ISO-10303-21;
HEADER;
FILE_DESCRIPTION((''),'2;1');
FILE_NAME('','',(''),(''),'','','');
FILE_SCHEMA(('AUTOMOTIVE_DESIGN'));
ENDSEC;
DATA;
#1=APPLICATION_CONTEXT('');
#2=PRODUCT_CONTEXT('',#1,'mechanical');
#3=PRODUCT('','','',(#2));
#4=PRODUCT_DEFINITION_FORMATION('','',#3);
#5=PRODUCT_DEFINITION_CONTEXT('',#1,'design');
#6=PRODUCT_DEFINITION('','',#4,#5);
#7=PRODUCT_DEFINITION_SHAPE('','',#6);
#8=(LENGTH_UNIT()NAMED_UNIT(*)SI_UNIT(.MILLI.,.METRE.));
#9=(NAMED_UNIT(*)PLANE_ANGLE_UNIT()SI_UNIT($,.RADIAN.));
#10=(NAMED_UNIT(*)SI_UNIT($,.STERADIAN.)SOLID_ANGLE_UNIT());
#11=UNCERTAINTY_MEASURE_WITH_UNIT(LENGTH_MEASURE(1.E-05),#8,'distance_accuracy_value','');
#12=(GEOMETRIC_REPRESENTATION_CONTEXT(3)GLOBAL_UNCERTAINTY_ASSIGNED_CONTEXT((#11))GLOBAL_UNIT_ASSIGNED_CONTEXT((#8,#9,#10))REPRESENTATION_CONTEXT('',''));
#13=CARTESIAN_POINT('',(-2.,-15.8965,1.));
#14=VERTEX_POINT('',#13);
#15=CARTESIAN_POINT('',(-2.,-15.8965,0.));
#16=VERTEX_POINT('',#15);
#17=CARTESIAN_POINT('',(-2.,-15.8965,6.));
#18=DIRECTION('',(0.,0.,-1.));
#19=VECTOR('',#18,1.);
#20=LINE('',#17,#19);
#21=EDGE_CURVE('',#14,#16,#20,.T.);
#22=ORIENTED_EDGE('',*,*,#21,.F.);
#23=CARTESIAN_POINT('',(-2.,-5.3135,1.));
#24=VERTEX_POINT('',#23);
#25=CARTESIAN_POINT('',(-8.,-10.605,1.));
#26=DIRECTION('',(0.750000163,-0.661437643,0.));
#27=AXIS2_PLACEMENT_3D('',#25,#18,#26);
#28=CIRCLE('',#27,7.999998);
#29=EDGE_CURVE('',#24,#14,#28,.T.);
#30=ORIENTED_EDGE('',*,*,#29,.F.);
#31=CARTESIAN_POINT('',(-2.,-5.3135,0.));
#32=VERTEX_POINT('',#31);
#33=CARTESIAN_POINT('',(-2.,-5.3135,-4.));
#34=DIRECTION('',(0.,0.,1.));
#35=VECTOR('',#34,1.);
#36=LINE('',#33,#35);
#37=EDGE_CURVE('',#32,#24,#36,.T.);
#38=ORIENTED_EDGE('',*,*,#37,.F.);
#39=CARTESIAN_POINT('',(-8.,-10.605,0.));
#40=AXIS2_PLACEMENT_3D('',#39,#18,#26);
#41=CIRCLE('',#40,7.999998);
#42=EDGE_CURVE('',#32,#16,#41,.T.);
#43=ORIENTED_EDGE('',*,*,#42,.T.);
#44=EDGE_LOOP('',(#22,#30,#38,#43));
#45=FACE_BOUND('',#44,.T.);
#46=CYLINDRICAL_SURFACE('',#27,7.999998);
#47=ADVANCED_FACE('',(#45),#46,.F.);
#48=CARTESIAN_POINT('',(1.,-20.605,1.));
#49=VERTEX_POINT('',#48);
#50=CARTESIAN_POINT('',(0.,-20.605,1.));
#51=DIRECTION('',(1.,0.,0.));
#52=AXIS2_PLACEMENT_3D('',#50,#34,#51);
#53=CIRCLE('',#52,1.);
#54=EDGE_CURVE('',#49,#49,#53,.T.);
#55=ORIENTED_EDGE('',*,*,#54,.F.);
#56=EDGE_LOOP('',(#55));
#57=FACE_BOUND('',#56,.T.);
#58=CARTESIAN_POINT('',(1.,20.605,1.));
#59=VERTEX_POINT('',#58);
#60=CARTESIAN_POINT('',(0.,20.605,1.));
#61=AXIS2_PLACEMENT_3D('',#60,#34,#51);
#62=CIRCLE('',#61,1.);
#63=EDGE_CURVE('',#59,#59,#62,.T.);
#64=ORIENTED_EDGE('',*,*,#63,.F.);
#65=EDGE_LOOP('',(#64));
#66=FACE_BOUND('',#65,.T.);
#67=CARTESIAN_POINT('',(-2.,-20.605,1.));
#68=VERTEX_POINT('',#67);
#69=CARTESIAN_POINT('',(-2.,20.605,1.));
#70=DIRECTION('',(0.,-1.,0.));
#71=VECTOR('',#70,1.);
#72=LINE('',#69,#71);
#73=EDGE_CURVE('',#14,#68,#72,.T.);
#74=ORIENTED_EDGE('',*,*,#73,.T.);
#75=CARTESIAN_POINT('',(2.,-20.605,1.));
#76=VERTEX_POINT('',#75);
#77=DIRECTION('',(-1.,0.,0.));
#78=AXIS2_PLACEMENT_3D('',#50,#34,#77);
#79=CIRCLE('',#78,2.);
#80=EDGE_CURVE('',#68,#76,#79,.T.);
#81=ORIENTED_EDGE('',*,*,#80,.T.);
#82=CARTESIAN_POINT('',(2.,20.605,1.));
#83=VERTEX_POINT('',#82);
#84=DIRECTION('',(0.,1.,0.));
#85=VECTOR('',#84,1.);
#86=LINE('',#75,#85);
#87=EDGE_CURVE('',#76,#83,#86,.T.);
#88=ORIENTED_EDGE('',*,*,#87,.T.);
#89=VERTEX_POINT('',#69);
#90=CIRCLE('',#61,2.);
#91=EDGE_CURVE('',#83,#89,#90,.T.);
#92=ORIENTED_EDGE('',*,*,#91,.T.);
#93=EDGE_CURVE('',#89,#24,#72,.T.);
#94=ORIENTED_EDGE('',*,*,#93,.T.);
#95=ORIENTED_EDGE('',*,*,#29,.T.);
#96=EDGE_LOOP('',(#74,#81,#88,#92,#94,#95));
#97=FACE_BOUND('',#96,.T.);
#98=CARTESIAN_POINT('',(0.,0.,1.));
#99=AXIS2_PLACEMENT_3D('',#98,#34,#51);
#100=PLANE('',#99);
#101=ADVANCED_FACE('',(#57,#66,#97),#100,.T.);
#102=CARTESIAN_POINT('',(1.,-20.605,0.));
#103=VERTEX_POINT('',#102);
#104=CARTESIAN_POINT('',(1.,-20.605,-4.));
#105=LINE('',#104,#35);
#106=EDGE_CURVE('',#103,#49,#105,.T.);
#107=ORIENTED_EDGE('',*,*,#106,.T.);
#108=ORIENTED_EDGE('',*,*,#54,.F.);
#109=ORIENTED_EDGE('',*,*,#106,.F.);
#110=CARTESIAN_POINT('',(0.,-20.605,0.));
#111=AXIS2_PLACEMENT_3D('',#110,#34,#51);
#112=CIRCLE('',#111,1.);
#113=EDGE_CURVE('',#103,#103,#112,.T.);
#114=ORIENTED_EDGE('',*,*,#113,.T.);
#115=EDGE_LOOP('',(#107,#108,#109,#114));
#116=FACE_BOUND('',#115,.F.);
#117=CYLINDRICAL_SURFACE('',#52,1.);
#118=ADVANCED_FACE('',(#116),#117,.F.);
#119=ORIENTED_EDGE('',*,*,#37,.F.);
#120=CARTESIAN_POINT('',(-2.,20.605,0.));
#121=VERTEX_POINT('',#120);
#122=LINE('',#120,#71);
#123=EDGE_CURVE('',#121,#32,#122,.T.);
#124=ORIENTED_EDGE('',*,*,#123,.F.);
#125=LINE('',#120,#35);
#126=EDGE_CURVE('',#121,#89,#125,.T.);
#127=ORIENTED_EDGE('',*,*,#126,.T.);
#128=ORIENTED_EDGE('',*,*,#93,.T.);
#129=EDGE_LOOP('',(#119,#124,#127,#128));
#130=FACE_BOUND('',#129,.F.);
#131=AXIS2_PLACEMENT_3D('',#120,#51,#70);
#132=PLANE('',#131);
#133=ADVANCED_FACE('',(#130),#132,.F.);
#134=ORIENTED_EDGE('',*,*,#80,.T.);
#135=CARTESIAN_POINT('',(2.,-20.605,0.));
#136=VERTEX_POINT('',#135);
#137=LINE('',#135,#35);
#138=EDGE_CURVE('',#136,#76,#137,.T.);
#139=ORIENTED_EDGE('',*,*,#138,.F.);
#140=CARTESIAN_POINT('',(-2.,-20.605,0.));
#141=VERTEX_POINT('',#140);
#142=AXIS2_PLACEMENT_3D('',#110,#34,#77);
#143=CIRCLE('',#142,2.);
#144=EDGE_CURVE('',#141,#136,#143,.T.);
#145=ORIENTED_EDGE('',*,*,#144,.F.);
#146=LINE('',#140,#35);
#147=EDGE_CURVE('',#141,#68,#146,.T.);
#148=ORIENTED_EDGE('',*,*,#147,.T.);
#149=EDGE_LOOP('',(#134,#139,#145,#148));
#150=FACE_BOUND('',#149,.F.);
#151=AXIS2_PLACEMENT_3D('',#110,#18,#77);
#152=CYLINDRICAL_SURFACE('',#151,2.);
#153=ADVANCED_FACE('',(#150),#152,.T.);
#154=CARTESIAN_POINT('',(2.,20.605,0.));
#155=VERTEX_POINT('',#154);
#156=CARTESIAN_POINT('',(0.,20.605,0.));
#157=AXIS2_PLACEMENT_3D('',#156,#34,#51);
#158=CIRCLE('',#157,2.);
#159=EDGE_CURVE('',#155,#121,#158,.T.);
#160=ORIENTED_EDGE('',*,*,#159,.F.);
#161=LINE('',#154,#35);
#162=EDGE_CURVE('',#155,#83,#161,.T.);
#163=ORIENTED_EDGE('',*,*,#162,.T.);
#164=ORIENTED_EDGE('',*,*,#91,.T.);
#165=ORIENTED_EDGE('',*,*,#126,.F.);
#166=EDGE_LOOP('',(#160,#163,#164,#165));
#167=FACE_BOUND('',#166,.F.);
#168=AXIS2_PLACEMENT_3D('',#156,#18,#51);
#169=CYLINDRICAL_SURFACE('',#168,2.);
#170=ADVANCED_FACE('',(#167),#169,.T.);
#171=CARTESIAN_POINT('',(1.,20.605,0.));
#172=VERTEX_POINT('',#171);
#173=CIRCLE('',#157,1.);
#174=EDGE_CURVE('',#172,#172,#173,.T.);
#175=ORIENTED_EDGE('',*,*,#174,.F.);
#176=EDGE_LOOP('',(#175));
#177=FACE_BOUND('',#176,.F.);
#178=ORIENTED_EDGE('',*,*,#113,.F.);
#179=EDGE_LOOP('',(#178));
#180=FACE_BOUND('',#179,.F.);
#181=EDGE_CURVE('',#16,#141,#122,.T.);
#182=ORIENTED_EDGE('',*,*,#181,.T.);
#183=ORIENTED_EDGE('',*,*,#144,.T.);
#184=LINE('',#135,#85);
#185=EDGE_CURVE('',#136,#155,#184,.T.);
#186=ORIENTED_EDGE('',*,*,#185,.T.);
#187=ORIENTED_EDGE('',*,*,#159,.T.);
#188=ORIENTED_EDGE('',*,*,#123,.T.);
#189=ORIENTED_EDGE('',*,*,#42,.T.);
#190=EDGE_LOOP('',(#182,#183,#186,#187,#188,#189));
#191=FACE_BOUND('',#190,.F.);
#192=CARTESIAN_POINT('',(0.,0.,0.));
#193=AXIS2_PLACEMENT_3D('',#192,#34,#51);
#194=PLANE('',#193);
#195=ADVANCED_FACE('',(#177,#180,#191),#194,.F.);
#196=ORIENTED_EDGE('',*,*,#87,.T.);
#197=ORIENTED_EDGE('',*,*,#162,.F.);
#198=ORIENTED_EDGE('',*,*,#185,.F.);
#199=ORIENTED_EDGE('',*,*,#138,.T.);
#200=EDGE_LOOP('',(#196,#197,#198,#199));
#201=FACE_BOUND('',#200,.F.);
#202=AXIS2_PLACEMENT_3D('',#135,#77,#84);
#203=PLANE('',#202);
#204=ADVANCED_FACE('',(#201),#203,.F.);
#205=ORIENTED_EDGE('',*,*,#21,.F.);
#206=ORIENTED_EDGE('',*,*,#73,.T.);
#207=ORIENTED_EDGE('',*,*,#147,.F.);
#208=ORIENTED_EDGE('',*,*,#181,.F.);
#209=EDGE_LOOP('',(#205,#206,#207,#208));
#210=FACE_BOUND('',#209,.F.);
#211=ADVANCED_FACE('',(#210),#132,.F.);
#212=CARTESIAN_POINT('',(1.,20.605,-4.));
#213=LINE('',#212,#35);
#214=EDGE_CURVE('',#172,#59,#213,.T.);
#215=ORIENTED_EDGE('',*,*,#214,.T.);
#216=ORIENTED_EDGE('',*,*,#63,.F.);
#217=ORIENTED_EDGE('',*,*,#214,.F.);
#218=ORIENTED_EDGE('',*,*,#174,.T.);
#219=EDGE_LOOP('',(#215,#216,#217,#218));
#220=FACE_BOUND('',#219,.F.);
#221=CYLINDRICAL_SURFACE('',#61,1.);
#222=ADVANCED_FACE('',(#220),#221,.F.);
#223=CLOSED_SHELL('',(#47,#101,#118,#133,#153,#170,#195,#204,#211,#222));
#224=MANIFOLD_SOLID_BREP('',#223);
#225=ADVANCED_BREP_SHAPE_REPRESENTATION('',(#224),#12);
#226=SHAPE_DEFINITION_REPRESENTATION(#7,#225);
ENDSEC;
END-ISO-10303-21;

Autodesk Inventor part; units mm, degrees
ref_plane "YZ Plane" through (0, 0, 0) normal (1, 0, 0) x (0, 1, 0)
ref_plane "XZ Plane" through (0, 0, 0) normal (0, 1, 0) x (-1, 0, 0)
ref_plane "XY Plane" through (0, 0, 0) normal (0, 0, 1) x (1, 0, 0)
sketch "草圖1" plane through (0, 0, 0) normal (0, 0, 1) x (1, 0, 0)
  line L0 (0, -20.605) -> (0, 20.605) construction
  line L1 (2, -20.605) -> (2, 20.605)
  line L2 (-2, 20.605) -> (-2, -20.605)
  arc A0 (-2, -20.605) -> (2, -20.605) centre (0, -20.605) ccw
  arc A1 (2, 20.605) -> (-2, 20.605) centre (0, 20.605) ccw
  point P0 (0, 0)
  dimension "d0" = 41.21
  dimension "d1" = 4
extrude "擠出1" add sketch "草圖1" along normal blind 1
sketch "草圖2" plane through (0, 0, 1) normal (0, 0, 1) x (1, 0, 0)
  arc A0 (-2, -20.605) -> (2, -20.605) centre (0, -20.605) ccw projected
  circle A1 centre (0, -20.605) radius 0.75
  arc A2 (2, 20.605) -> (-2, 20.605) centre (0, 20.605) ccw projected
  circle A3 centre (0, 20.605) radius 0.75
  point P0 (0, 0)
  dimension "d4" = 1.5
  dimension "d5" = 1.5
extrude "擠出2" add sketch "草圖2" along normal blind 1
sketch "草圖3" plane through (0, 0, 1) normal (0, 0, 1) x (1, 0, 0)
  circle A0 centre (0, 20.605) radius 0.75 projected
  circle A1 centre (0, -20.605) radius 0.75 projected
  circle A2 centre (0, 20.605) radius 1
  circle A3 centre (0, -20.605) radius 0.75 projected
  circle A4 centre (0, -20.605) radius 1
  point P0 (0, 0)
  dimension "d8" = 2
  dimension "d9" = 2
extrude "擠出3" cut sketch "草圖3" along normal mid plane 10 contours A0 | A1 | A2 | A4
sketch "草圖4" plane through (0, 0, 1) normal (0, 0, 1) x (1, 0, 0)
  line L0 (-2, 20.605) -> (-2, -20.605) projected
  arc A0 (-2, -15.8965) -> (-2, -5.3135) centre (-8, -10.605) ccw
  circle A1 centre (0, -20.605) radius 1 projected
  point P0 (0, 0)
  dimension "d12" = 8
  dimension "d13" = 6
  dimension "d14" = 10
extrude "擠出4" cut sketch "草圖4" along normal mid plane 10 contours A0 L0
properties part number "連桿3"
